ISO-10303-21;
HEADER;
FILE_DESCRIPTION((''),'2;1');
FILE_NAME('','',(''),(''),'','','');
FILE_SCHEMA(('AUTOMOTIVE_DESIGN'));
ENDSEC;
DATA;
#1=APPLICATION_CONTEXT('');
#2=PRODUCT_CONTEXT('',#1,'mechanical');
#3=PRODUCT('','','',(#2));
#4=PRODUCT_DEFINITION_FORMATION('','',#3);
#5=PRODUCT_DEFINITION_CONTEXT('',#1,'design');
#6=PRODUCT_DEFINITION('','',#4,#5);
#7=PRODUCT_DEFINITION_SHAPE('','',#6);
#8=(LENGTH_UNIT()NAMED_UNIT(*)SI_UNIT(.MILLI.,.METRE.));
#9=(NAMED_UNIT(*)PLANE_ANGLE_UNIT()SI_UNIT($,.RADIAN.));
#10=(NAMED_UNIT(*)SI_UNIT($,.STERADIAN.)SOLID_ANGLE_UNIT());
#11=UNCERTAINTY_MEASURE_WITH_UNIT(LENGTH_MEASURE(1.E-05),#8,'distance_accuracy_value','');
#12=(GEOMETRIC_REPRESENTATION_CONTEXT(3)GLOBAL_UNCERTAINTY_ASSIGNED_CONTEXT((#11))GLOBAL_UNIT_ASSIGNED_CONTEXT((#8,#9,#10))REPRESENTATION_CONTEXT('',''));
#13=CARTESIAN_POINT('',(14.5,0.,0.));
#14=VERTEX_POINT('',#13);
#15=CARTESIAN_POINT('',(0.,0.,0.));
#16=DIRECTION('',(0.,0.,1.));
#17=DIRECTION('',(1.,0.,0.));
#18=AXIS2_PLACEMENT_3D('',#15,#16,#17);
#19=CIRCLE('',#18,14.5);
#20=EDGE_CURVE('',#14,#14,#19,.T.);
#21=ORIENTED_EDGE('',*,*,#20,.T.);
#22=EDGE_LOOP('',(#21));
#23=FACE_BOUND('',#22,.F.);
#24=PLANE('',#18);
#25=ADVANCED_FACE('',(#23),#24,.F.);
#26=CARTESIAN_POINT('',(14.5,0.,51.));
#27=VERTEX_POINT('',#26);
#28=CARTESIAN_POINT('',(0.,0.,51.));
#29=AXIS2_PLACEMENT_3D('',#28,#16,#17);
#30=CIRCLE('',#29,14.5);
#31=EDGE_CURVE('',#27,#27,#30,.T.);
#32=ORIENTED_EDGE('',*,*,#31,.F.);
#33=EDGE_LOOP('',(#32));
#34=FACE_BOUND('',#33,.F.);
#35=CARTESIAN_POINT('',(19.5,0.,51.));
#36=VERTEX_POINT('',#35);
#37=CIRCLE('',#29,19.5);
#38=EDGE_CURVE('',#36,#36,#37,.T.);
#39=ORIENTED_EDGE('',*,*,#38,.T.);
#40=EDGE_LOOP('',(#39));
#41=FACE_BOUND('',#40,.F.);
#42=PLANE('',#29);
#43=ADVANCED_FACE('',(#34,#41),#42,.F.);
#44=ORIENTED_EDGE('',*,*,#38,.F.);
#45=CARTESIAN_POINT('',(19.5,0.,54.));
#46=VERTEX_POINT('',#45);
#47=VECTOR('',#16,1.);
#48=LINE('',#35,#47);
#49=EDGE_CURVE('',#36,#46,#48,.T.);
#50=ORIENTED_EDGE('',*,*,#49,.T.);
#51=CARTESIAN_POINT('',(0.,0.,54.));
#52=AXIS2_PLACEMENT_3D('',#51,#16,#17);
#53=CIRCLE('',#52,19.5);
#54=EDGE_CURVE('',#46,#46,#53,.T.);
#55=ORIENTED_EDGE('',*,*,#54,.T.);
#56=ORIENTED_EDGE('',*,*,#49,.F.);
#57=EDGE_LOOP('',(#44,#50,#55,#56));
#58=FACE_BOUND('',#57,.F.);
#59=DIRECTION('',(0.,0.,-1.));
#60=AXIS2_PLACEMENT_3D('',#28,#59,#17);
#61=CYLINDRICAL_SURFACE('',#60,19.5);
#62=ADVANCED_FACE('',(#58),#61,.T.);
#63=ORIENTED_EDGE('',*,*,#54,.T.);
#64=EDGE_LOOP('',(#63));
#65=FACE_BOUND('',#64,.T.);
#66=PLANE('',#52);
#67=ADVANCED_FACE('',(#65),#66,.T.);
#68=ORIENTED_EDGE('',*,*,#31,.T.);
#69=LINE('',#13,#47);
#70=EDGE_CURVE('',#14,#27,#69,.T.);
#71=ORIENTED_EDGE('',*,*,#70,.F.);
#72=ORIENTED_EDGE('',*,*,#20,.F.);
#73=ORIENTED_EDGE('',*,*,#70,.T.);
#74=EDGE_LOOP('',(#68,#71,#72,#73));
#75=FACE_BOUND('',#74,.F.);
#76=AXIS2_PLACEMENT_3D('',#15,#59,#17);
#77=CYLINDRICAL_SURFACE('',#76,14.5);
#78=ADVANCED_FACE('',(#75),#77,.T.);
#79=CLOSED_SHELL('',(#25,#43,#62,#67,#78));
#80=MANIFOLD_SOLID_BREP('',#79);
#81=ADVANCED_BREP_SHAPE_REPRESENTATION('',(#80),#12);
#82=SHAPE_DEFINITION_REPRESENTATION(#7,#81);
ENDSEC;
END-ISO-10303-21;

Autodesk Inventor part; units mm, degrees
ref_plane "YZ Plane" through (0, 0, 0) normal (1, 0, 0) x (0, 1, 0)
ref_plane "XZ Plane" through (0, 0, 0) normal (0, 1, 0) x (-1, 0, 0)
ref_plane "XY Plane" through (0, 0, 0) normal (0, 0, 1) x (1, 0, 0)
sketch "Sketch1" plane through (0, 0, 0) normal (0, 0, 1) x (1, 0, 0)
  circle A0 centre (0, 0) radius 14.5
  dimension "d0" = 29
extrude "Extrusion1" add sketch "Sketch1" along normal blind 51
sketch "Sketch2" plane through (0, 0, 51) normal (0, 0, 1) x (1, 0, 0)
  circle A0 centre (0, 0) radius 19.5
  circle A1 centre (0, 0) radius 14.5 projected
  dimension "d3" = 5
extrude "Extrusion2" add sketch "Sketch2" along normal blind 3 contours A0 | A1
sketch "Sketch3" plane through (0, 0, 54) normal (0, 0, 1) x (1, 0, 0)
  line L0 (-21.7015, 20.032) -> (19.2808, 20.032) construction
  line L1 (19.2808, 20.032) -> (19.2808, -20.9503) construction
  line L2 (19.2808, -20.9503) -> (-21.7015, -20.9503) construction
  line L3 (-21.7015, -20.9503) -> (-21.7015, 20.032) construction
equation "\"d0\" = r_usboutlet"
equation "\"wl_panel\" = 285"
equation "\"t_panel\" = 8"
equation "\"r_button\" = 8"
equation "\"l_stereo\" = 178"
equation "\"d_stereo\" = 177"
equation "\"w_label\" = 15"
equation "\"r_labelscrew\" = 2.5"
equation "\"ro_labelscrew\" = 5"
equation "\"l_buttontobutton\" = 25"
equation "\"r_usboutlet\" = 29"
equation "\"l_fastener_button\" = 19"
properties part number "usb_outlet" material "Thermoplastic Resin"
